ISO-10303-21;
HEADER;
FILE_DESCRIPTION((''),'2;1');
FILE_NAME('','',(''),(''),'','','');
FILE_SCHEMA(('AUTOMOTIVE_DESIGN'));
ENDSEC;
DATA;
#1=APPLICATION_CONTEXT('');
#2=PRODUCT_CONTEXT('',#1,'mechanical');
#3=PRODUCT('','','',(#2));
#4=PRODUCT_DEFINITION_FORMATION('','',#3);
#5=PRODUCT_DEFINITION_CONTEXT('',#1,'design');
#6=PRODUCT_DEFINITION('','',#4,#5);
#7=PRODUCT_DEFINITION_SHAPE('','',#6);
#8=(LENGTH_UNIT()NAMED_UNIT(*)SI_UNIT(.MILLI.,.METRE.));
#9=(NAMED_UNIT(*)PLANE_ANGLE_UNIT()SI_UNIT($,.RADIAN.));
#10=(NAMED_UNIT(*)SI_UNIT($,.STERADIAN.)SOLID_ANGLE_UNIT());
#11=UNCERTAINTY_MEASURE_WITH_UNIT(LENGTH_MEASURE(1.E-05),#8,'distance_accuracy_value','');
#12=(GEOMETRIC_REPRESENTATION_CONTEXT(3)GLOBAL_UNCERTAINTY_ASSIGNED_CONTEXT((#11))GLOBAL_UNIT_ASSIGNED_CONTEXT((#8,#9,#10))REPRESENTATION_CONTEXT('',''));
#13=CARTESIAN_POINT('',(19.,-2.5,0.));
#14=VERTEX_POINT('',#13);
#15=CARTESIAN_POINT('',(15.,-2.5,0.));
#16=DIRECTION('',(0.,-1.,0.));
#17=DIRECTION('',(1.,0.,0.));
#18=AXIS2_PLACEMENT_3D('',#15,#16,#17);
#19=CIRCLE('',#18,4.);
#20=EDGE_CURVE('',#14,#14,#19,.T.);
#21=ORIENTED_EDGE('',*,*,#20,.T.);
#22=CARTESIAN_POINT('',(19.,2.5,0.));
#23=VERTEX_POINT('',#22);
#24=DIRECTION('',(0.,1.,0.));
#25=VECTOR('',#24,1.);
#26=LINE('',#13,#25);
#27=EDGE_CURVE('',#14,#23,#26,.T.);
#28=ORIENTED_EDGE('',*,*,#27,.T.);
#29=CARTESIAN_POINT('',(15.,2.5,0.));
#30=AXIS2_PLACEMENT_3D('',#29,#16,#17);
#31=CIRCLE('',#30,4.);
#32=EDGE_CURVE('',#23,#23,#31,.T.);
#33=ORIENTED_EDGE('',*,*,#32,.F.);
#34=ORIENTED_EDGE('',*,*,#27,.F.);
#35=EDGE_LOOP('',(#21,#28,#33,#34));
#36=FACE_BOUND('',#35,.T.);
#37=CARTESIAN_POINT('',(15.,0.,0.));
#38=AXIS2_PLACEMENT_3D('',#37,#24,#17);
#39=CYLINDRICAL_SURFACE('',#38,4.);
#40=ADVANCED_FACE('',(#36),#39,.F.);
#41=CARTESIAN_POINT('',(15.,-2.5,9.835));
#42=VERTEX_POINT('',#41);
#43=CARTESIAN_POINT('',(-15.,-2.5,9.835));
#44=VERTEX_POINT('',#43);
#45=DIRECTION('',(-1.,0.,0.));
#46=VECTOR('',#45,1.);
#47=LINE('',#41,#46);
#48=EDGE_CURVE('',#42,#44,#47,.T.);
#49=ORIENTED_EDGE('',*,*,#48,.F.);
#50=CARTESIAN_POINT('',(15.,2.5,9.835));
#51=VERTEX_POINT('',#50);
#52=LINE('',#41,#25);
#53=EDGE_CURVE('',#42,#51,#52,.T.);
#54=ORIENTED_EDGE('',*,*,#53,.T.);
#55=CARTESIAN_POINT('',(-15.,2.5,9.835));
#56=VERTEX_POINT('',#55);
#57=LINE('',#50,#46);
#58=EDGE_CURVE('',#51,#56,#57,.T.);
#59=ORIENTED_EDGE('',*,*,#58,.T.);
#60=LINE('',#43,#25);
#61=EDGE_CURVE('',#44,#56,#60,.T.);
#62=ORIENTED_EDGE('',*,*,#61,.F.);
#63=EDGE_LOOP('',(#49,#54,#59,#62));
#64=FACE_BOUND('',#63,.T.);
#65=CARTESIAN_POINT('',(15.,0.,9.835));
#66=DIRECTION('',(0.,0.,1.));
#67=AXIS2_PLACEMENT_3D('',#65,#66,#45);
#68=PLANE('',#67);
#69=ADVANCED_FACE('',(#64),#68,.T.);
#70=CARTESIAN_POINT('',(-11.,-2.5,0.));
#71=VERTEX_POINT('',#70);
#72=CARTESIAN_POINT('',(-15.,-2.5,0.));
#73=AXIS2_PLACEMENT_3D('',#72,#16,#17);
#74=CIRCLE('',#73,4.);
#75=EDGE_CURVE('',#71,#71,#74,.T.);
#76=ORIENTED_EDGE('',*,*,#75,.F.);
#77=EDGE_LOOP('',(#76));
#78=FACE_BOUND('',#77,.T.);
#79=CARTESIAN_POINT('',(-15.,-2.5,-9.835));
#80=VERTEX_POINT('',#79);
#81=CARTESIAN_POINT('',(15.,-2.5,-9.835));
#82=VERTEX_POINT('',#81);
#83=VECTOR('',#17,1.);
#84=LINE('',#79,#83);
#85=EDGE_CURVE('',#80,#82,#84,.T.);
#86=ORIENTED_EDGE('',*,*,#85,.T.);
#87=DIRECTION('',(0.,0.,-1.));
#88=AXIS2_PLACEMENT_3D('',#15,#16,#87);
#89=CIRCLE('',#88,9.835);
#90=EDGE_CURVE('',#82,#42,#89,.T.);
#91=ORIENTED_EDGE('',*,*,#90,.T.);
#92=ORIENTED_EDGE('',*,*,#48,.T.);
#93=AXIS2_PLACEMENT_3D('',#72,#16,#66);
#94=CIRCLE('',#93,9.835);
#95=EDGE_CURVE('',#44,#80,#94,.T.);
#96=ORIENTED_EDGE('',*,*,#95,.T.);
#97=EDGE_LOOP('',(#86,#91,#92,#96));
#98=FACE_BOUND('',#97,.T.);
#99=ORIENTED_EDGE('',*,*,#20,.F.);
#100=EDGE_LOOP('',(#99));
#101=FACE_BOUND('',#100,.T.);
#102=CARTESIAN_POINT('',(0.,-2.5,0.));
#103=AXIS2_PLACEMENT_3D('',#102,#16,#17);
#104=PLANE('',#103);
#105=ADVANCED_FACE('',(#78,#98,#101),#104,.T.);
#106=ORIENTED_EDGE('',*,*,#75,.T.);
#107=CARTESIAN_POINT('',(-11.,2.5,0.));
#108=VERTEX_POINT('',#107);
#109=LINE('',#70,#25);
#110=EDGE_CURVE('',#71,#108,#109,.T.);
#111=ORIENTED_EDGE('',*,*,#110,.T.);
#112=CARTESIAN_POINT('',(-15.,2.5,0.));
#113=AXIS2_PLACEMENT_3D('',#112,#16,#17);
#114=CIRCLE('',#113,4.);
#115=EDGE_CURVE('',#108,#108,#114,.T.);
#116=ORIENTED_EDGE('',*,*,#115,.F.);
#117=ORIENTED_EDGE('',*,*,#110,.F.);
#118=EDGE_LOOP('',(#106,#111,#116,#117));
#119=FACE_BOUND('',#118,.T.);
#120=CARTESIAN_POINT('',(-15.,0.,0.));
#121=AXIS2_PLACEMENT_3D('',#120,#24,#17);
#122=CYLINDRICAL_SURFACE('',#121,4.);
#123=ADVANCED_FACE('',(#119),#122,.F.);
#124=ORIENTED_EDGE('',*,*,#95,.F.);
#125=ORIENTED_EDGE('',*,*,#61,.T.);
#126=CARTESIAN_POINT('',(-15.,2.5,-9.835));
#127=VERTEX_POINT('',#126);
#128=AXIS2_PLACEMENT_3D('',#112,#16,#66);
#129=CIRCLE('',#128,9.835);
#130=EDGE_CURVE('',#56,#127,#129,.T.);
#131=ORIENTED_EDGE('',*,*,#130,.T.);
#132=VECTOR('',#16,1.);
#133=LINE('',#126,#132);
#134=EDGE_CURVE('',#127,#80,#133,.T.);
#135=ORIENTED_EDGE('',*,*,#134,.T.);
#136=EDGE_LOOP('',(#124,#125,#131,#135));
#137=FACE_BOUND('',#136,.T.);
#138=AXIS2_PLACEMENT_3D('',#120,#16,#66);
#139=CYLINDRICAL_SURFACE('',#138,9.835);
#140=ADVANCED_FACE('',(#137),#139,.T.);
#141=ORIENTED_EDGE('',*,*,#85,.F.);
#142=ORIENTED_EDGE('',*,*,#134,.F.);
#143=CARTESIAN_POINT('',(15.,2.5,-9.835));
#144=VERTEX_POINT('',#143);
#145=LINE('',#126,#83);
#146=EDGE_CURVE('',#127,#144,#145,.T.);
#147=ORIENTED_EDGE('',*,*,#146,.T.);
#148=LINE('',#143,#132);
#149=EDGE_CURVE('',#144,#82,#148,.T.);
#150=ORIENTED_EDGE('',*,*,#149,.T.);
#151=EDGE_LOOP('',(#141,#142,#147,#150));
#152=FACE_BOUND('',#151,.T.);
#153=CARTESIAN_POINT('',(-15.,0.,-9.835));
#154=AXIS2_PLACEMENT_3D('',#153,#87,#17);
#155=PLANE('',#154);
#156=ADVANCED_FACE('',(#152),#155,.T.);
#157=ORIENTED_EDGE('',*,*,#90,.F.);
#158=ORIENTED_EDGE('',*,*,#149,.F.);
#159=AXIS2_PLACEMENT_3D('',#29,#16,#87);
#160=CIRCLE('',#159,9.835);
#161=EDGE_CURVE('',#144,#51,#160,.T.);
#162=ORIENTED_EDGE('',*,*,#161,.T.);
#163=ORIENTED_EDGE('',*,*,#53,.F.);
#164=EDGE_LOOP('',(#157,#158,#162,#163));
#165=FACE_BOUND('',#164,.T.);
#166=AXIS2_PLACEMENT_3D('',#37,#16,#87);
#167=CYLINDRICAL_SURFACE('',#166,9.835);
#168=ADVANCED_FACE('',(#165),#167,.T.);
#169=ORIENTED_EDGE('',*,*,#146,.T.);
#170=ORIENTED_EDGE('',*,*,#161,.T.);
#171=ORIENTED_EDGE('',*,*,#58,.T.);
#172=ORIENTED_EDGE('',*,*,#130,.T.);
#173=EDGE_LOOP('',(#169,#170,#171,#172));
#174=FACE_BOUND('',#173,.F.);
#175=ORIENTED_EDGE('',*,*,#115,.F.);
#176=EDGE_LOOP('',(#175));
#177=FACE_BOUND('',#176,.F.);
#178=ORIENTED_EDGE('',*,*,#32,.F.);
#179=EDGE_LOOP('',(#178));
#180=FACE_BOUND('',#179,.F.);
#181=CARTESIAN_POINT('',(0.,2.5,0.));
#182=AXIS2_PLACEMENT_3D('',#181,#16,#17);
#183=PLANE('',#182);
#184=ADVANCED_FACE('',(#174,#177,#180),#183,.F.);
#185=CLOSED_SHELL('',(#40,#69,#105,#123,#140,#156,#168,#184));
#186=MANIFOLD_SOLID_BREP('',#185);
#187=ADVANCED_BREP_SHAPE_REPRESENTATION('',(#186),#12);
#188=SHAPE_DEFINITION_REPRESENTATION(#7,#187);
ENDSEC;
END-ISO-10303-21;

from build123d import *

# Parameters (mm, degrees)
F0_R     = 4
F1_DEPTH = 2.5


with BuildPart() as f1:
    # F0 (on Front) → F1 (new body, symmetric)
    with BuildSketch(Plane.XZ):
        with BuildLine():
            Line((0, 9.835), (-15, 9.835))
            ThreePointArc((-15, 9.835), (-24.835, 0), (-15, -9.835))
            Line((-15, -9.835), (0, -9.835))
            Line((0, -9.835), (15, -9.835))
            ThreePointArc((15, -9.835), (24.835, 0), (15, 9.835))
            Line((15, 9.835), (0, 9.835))
        make_face()
        with Locations((-15, 0)):
            Circle(F0_R, mode=Mode.SUBTRACT)
        with Locations((15, 0)):
            Circle(F0_R, mode=Mode.SUBTRACT)
    extrude(amount=F1_DEPTH, both=True)


solid = f1.part
